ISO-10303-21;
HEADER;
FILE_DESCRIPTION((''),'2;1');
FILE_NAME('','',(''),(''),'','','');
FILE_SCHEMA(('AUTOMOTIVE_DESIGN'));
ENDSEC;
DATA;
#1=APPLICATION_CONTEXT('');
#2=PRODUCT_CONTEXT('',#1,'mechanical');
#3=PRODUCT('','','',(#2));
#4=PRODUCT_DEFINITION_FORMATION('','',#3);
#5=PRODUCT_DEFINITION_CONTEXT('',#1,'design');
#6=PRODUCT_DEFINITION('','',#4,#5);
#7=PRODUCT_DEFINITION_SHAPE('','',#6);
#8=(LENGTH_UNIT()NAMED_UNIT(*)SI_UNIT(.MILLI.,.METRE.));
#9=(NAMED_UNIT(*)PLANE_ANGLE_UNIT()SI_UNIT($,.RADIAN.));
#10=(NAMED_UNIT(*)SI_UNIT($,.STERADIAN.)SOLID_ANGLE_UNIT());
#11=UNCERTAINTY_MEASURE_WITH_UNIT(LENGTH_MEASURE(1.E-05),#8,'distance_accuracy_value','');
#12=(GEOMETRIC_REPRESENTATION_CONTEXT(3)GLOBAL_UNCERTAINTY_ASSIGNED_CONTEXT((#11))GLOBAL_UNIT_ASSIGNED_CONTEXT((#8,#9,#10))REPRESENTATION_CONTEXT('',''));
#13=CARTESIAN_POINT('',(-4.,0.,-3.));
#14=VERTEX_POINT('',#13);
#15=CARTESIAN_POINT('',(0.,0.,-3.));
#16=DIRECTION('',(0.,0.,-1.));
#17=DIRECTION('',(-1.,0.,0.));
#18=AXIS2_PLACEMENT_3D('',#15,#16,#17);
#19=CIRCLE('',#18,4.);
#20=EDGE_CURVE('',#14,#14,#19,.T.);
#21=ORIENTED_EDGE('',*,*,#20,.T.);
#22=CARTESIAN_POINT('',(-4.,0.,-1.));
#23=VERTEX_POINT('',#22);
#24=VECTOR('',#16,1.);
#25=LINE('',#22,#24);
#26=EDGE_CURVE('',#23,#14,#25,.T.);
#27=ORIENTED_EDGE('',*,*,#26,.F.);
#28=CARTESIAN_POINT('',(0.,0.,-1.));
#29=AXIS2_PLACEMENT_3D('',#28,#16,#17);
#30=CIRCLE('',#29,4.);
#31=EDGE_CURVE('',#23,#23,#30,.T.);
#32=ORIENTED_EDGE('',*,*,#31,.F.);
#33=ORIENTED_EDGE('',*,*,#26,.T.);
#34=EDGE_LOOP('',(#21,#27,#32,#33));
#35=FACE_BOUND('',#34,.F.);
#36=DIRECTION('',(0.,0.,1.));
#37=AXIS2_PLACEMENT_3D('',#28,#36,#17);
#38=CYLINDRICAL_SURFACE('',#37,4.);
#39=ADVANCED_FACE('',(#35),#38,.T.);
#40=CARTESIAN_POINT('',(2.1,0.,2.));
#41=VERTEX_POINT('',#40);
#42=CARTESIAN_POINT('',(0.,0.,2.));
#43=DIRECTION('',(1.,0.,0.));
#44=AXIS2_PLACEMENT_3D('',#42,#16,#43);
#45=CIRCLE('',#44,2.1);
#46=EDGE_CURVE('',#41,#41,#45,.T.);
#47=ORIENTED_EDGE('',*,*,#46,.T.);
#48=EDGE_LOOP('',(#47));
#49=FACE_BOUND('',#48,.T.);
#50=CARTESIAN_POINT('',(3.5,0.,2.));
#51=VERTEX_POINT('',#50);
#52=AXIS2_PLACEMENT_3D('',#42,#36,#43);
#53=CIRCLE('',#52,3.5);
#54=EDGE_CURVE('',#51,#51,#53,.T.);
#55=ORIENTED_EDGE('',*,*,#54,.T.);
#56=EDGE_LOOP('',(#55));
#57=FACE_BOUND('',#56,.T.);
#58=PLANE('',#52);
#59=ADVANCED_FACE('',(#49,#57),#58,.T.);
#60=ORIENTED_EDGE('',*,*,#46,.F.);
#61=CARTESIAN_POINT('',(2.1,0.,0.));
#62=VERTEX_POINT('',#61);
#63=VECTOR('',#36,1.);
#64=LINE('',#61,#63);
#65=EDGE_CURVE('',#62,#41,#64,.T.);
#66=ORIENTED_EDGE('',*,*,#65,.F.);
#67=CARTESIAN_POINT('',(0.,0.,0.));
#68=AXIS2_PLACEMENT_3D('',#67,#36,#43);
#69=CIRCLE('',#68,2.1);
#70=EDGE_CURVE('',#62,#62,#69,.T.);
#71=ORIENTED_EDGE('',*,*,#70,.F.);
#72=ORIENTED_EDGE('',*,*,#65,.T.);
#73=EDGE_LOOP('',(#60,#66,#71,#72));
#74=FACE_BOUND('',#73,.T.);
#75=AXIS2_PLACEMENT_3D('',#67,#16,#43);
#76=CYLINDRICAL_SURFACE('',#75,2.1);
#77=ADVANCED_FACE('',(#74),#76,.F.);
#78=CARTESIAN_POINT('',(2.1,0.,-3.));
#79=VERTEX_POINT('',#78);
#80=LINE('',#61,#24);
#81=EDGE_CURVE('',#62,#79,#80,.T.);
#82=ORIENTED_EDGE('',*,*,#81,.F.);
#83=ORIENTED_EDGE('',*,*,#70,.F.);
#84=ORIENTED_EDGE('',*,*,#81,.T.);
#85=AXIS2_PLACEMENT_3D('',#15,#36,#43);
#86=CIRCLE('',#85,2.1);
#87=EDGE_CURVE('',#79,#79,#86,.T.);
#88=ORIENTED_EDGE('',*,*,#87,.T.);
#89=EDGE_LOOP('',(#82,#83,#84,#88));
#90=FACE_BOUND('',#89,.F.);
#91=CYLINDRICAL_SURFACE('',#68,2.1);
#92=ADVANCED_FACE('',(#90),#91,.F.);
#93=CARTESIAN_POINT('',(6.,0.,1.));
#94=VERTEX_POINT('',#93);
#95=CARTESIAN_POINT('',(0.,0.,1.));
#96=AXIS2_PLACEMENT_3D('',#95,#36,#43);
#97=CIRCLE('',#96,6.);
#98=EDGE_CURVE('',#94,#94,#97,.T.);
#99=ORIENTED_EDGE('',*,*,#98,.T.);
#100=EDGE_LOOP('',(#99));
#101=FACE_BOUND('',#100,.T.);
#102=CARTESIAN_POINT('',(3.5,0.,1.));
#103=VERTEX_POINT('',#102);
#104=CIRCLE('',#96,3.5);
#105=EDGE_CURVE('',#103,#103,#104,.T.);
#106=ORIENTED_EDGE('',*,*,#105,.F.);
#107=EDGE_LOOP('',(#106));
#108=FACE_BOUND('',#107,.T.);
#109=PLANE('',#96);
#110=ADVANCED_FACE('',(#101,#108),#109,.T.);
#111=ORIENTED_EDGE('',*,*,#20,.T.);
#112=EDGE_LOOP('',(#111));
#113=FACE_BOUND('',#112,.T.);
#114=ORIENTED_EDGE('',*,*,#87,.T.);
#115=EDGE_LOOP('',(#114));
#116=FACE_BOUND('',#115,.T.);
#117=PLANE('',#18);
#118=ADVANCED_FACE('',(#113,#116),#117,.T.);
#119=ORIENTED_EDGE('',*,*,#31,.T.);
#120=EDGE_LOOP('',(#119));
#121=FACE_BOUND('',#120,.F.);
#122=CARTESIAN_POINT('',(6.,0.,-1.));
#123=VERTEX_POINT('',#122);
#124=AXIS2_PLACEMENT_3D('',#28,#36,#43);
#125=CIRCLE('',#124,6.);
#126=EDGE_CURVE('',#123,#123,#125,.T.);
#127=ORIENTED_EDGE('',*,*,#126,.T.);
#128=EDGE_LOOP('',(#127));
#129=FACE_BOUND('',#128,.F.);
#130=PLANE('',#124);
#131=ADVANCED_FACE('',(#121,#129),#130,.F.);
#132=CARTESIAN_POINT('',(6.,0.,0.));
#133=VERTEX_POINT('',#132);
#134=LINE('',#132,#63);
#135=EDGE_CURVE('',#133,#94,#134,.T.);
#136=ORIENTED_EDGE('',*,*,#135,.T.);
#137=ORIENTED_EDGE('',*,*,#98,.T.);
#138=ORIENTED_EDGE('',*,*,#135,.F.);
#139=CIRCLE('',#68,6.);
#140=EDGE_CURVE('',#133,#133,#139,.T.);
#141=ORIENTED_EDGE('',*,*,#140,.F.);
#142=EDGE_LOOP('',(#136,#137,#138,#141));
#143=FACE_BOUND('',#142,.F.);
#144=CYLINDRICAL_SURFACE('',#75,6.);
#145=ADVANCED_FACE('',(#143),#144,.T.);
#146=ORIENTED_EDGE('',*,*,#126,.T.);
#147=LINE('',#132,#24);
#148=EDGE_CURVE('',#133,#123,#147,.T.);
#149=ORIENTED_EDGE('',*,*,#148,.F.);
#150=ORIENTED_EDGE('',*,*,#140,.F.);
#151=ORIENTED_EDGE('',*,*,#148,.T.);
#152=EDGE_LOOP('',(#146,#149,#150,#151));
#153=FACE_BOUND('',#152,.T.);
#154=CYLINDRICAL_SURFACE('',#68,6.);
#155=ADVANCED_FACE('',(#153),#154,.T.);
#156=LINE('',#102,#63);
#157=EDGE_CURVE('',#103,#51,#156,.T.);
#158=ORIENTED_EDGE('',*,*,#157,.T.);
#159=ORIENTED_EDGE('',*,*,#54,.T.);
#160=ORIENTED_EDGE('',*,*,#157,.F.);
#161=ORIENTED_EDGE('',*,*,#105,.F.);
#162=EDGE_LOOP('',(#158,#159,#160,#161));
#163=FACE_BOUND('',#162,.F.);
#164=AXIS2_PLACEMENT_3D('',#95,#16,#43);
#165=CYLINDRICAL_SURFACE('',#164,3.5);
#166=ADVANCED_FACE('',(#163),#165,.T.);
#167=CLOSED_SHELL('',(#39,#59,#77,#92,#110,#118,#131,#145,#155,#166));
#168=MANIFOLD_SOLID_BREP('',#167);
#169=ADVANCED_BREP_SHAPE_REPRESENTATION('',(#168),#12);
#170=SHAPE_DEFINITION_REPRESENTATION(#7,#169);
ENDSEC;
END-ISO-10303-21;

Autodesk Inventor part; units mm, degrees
ref_plane "YZ Plane" through (0, 0, 0) normal (1, 0, 0) x (0, 1, 0)
ref_plane "XZ Plane" through (0, 0, 0) normal (0, 1, 0) x (-1, 0, 0)
ref_plane "XY Plane" through (0, 0, 0) normal (0, 0, 1) x (1, 0, 0)
sketch "Sketch1" plane through (0, 0, 0) normal (0, 0, 1) x (1, 0, 0)
  circle A0 centre (0, 0) radius 6
  dimension "d0" = 12
extrude "Extrusion1" add sketch "Sketch1" along normal mid plane 2
sketch "Sketch2" plane through (0, 0, -1) normal (0, 0, -1) x (-1, 0, 0)
  circle A0 centre (0, 0) radius 4
  dimension "d3" = 8
extrude "Extrusion2" add sketch "Sketch2" along normal blind 2
sketch "Sketch3" plane through (0, 0, 1) normal (0, 0, 1) x (1, 0, 0)
  circle A0 centre (0, 0) radius 3.5
  dimension "d6" = 7
extrude "Extrusion3" add sketch "Sketch3" along normal blind 1
sketch "Sketch4" plane through (0, 0, 0) normal (0, 0, 1) x (1, 0, 0)
  circle A0 centre (0, 0) radius 6 projected
  circle A1 centre (0, 0) radius 2.1
  dimension "d9" = 4.2
extrude "Extrusion4" cut sketch "Sketch4" along normal mid plane 47 contours A1
properties part number "roller bracket" material "Steel"
